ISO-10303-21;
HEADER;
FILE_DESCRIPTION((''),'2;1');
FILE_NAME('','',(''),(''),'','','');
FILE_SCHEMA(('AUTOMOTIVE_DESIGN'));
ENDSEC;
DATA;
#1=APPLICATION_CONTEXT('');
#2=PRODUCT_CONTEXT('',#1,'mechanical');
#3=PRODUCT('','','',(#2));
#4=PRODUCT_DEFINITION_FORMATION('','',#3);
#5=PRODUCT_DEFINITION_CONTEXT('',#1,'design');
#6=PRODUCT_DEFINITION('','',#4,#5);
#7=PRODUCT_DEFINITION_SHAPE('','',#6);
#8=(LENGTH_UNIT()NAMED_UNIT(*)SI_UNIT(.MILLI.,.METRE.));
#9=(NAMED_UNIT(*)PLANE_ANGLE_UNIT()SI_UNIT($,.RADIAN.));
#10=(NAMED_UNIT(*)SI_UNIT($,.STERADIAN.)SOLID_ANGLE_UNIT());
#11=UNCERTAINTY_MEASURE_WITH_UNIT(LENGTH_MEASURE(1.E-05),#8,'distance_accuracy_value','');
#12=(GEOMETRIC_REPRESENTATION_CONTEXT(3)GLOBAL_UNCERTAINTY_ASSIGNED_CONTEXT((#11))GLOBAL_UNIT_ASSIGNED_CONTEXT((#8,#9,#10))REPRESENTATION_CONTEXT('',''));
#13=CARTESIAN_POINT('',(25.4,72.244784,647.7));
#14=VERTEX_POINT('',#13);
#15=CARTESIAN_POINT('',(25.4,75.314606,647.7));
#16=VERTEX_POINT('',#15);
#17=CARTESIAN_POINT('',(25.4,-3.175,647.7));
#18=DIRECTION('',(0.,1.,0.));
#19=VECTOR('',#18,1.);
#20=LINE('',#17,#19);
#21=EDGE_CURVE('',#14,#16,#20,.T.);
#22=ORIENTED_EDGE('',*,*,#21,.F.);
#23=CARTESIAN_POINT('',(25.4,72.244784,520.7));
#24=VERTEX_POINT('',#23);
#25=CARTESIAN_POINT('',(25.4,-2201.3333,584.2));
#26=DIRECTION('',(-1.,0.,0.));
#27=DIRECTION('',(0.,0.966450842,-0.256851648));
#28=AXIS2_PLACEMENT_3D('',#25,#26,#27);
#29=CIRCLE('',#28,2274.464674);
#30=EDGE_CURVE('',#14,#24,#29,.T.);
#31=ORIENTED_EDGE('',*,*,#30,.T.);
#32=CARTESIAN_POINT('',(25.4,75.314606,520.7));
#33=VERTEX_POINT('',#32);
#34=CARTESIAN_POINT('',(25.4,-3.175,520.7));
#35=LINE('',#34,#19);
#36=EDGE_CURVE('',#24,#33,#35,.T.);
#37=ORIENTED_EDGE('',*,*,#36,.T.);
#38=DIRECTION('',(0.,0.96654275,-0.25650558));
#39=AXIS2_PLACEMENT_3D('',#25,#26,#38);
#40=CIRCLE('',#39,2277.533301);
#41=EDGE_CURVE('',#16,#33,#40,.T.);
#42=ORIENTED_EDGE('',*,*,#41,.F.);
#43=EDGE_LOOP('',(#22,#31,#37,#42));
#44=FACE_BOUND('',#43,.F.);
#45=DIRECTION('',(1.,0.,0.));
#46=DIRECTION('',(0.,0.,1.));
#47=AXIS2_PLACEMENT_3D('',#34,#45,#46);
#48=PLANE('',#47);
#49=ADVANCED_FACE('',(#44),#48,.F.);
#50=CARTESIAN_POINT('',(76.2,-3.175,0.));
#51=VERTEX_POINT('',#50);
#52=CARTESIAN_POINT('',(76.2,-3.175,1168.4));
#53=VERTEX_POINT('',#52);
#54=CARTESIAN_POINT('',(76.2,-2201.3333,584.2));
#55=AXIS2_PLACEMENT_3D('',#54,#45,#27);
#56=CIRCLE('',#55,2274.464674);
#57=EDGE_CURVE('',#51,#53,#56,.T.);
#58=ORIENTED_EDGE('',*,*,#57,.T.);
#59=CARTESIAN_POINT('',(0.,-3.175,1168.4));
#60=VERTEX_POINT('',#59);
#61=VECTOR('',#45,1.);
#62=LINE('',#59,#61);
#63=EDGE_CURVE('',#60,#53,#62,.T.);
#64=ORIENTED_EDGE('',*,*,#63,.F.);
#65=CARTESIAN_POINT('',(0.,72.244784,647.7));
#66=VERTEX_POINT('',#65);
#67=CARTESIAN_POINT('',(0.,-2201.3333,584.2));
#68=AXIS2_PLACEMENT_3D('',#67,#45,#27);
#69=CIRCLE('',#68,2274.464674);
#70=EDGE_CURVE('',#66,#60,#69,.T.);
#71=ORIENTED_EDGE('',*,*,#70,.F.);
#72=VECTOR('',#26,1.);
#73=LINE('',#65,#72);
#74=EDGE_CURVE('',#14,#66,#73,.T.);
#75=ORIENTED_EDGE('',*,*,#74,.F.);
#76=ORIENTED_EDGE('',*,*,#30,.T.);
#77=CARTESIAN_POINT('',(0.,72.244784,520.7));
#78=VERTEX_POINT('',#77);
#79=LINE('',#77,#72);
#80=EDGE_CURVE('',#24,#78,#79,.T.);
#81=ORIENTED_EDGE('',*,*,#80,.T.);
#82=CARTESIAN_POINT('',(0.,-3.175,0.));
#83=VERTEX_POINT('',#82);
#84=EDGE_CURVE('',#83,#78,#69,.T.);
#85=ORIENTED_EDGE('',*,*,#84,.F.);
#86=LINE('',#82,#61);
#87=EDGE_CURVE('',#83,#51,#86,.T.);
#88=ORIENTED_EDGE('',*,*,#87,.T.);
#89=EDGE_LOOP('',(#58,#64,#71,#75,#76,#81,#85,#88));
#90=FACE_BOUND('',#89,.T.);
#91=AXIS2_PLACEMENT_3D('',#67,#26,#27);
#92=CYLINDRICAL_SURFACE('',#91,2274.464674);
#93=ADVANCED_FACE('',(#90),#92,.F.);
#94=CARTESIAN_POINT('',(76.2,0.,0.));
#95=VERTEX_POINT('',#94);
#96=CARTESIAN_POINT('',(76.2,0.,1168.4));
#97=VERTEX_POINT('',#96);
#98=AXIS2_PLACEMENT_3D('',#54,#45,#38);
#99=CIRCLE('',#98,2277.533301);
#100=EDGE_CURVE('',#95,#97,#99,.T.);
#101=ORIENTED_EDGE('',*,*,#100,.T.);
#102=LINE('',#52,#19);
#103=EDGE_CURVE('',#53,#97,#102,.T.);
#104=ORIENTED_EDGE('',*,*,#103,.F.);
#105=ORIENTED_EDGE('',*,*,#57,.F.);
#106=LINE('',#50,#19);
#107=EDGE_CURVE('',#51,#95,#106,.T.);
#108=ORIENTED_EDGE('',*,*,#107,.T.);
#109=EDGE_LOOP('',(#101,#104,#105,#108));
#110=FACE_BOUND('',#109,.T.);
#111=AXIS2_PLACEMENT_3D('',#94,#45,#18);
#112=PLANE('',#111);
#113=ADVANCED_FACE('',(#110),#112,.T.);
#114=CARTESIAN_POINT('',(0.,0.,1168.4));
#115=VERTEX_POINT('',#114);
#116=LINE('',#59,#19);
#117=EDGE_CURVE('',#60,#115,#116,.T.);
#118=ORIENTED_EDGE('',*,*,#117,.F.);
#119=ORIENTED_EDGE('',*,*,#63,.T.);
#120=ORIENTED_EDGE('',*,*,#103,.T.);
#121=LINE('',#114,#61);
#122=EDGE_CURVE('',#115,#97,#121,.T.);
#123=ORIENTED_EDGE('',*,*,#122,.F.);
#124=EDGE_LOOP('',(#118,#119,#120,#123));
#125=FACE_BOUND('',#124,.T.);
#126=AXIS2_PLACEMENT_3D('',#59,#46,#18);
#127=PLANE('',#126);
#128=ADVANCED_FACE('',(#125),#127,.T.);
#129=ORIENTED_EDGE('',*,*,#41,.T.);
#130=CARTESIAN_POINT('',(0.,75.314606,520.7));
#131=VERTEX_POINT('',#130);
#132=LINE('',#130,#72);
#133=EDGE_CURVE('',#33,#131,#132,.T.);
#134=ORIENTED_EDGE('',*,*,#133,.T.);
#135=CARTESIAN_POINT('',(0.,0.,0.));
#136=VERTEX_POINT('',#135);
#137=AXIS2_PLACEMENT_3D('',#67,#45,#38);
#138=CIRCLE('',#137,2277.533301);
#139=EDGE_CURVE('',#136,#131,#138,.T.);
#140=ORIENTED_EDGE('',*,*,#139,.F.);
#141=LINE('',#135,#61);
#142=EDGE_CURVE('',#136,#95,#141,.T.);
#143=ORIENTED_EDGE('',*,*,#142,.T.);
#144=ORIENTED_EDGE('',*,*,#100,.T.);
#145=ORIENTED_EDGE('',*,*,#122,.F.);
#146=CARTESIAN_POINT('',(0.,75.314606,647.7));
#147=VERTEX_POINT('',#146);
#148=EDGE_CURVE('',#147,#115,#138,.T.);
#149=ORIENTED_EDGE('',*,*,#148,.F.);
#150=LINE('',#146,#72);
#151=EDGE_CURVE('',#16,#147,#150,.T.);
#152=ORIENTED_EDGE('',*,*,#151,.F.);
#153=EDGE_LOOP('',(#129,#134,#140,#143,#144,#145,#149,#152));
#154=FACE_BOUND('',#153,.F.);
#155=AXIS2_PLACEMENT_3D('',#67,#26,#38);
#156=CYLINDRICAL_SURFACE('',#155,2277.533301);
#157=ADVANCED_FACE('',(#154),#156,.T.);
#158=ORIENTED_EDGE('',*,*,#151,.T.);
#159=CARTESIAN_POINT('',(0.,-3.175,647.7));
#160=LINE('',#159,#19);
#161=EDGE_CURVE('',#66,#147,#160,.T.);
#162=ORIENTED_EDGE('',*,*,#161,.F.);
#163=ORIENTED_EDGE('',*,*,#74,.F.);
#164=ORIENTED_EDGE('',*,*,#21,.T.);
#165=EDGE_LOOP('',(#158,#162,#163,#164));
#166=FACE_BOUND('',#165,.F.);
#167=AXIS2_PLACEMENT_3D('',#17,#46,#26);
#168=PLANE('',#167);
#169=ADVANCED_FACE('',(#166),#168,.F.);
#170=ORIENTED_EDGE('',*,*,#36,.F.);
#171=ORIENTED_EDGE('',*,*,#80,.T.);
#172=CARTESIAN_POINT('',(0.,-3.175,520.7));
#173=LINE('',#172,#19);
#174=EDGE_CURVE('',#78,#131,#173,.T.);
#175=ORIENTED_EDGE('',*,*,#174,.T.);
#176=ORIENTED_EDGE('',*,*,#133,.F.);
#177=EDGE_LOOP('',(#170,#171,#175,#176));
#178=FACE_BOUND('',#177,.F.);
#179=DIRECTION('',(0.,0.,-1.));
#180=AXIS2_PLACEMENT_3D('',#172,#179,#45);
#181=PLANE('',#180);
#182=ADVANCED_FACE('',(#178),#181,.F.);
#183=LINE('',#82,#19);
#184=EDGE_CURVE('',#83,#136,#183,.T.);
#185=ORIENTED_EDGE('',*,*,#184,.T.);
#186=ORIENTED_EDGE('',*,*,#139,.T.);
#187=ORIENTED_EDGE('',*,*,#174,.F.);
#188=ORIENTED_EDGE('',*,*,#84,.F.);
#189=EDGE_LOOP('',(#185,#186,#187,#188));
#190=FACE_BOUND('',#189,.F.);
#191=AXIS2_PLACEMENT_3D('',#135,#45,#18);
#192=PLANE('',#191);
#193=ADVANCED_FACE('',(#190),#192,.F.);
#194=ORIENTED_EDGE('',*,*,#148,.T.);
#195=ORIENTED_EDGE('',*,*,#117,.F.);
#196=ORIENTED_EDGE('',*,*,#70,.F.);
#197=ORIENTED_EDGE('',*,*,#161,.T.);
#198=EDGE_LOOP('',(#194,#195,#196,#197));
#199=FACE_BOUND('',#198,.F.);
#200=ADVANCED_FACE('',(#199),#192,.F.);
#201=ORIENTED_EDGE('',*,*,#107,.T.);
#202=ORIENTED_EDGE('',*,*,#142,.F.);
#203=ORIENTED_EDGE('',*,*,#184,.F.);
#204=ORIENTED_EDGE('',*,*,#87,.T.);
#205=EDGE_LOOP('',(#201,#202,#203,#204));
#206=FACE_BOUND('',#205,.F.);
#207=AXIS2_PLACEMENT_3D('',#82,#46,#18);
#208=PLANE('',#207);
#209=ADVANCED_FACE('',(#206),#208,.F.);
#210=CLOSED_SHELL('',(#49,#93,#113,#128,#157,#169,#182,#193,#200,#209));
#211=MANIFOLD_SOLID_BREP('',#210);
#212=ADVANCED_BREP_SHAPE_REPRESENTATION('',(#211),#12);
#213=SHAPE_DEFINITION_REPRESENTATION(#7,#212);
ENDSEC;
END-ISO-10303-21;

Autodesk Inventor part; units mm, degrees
ref_plane "YZ Plane" through (0, 0, 0) normal (1, 0, 0) x (0, 1, 0)
sketch "Sketch7" plane through (0, 0, 0) normal (1, 0, 0) x (0, 1, 0)
  arc A0 (0, 0) -> (0, 1168.4) centre (-2201.3333, 584.2) ccw
  arc A1 (-3.175, 0) -> (-3.175, 1168.4) centre (-2201.3333, 584.2) ccw
  line L0 (-3.175, 1168.4) -> (0, 1168.4)
  line L1 (-3.175, 0) -> (0, 0)
  point P0 (76.2, 584.2)
  dimension "d36" = 1168.4
  dimension "d37" = 3.175
  dimension "d46" = 76.2
  dimension "d47" = 584.2
  dimension "d48" = 584.2
extrude "Extrusion5" add sketch "Sketch7" along normal blind 76.2
ref_plane "Work Plane2" through (0, -3.175, 1168.4) normal (0, 1, 0) x (1, 0, 0)
sketch "Sketch8" plane through (0, -3.175, 1168.4) normal (0, 1, 0) x (1, 0, 0)
  line L0 (0, 0) -> (0, 1168.4) projected
  line L1 (0, 1168.4) -> (76.2, 1168.4) projected
  line L2 (76.2, 0) -> (76.2, 1168.4) projected
  line L3 (0, 0) -> (76.2, 0) projected
  line L4 (0, 647.7) -> (25.4, 647.7)
  line L5 (25.4, 647.7) -> (25.4, 520.7)
  line L6 (25.4, 520.7) -> (0, 520.7)
  line L7 (0, 520.7) -> (0, 647.7)
  dimension "d40" = 25.4
  dimension "d41" = 127
  dimension "d42" = 520.7
  dimension "d43" = 520.7
extrude "Extrusion6" cut sketch "Sketch8" along normal through all contours L0 L4 L5 L6
ref_plane "Work Plane3" through (0, 0, 1168.4) normal (0, 1, 0) x (1, 0, 0)
equation "\"d37\" = Thickness"
equation "\"d47\" = d48"
equation "\"d42\" = d43"
equation "\"BendRadius\" = Thickness"
equation "\"BendReliefWidth\" = Thickness"
equation "\"BendReliefDepth\" = 0.5 * Thickness"
equation "\"CornerReliefSize\" = 4 * Thickness"
equation "\"MinimumRemnant\" = 2 * Thickness"
equation "\"TransitionRadius\" = BendRadius"
equation "\"JacobiRadiusSize\" = BendRadius"
equation "\"GapSize\" = Thickness"
equation "\"d2\" = BendRadius"
equation "\"Thickness\" = 3.175"
properties part number "slats" material "Steel, Carbon"
